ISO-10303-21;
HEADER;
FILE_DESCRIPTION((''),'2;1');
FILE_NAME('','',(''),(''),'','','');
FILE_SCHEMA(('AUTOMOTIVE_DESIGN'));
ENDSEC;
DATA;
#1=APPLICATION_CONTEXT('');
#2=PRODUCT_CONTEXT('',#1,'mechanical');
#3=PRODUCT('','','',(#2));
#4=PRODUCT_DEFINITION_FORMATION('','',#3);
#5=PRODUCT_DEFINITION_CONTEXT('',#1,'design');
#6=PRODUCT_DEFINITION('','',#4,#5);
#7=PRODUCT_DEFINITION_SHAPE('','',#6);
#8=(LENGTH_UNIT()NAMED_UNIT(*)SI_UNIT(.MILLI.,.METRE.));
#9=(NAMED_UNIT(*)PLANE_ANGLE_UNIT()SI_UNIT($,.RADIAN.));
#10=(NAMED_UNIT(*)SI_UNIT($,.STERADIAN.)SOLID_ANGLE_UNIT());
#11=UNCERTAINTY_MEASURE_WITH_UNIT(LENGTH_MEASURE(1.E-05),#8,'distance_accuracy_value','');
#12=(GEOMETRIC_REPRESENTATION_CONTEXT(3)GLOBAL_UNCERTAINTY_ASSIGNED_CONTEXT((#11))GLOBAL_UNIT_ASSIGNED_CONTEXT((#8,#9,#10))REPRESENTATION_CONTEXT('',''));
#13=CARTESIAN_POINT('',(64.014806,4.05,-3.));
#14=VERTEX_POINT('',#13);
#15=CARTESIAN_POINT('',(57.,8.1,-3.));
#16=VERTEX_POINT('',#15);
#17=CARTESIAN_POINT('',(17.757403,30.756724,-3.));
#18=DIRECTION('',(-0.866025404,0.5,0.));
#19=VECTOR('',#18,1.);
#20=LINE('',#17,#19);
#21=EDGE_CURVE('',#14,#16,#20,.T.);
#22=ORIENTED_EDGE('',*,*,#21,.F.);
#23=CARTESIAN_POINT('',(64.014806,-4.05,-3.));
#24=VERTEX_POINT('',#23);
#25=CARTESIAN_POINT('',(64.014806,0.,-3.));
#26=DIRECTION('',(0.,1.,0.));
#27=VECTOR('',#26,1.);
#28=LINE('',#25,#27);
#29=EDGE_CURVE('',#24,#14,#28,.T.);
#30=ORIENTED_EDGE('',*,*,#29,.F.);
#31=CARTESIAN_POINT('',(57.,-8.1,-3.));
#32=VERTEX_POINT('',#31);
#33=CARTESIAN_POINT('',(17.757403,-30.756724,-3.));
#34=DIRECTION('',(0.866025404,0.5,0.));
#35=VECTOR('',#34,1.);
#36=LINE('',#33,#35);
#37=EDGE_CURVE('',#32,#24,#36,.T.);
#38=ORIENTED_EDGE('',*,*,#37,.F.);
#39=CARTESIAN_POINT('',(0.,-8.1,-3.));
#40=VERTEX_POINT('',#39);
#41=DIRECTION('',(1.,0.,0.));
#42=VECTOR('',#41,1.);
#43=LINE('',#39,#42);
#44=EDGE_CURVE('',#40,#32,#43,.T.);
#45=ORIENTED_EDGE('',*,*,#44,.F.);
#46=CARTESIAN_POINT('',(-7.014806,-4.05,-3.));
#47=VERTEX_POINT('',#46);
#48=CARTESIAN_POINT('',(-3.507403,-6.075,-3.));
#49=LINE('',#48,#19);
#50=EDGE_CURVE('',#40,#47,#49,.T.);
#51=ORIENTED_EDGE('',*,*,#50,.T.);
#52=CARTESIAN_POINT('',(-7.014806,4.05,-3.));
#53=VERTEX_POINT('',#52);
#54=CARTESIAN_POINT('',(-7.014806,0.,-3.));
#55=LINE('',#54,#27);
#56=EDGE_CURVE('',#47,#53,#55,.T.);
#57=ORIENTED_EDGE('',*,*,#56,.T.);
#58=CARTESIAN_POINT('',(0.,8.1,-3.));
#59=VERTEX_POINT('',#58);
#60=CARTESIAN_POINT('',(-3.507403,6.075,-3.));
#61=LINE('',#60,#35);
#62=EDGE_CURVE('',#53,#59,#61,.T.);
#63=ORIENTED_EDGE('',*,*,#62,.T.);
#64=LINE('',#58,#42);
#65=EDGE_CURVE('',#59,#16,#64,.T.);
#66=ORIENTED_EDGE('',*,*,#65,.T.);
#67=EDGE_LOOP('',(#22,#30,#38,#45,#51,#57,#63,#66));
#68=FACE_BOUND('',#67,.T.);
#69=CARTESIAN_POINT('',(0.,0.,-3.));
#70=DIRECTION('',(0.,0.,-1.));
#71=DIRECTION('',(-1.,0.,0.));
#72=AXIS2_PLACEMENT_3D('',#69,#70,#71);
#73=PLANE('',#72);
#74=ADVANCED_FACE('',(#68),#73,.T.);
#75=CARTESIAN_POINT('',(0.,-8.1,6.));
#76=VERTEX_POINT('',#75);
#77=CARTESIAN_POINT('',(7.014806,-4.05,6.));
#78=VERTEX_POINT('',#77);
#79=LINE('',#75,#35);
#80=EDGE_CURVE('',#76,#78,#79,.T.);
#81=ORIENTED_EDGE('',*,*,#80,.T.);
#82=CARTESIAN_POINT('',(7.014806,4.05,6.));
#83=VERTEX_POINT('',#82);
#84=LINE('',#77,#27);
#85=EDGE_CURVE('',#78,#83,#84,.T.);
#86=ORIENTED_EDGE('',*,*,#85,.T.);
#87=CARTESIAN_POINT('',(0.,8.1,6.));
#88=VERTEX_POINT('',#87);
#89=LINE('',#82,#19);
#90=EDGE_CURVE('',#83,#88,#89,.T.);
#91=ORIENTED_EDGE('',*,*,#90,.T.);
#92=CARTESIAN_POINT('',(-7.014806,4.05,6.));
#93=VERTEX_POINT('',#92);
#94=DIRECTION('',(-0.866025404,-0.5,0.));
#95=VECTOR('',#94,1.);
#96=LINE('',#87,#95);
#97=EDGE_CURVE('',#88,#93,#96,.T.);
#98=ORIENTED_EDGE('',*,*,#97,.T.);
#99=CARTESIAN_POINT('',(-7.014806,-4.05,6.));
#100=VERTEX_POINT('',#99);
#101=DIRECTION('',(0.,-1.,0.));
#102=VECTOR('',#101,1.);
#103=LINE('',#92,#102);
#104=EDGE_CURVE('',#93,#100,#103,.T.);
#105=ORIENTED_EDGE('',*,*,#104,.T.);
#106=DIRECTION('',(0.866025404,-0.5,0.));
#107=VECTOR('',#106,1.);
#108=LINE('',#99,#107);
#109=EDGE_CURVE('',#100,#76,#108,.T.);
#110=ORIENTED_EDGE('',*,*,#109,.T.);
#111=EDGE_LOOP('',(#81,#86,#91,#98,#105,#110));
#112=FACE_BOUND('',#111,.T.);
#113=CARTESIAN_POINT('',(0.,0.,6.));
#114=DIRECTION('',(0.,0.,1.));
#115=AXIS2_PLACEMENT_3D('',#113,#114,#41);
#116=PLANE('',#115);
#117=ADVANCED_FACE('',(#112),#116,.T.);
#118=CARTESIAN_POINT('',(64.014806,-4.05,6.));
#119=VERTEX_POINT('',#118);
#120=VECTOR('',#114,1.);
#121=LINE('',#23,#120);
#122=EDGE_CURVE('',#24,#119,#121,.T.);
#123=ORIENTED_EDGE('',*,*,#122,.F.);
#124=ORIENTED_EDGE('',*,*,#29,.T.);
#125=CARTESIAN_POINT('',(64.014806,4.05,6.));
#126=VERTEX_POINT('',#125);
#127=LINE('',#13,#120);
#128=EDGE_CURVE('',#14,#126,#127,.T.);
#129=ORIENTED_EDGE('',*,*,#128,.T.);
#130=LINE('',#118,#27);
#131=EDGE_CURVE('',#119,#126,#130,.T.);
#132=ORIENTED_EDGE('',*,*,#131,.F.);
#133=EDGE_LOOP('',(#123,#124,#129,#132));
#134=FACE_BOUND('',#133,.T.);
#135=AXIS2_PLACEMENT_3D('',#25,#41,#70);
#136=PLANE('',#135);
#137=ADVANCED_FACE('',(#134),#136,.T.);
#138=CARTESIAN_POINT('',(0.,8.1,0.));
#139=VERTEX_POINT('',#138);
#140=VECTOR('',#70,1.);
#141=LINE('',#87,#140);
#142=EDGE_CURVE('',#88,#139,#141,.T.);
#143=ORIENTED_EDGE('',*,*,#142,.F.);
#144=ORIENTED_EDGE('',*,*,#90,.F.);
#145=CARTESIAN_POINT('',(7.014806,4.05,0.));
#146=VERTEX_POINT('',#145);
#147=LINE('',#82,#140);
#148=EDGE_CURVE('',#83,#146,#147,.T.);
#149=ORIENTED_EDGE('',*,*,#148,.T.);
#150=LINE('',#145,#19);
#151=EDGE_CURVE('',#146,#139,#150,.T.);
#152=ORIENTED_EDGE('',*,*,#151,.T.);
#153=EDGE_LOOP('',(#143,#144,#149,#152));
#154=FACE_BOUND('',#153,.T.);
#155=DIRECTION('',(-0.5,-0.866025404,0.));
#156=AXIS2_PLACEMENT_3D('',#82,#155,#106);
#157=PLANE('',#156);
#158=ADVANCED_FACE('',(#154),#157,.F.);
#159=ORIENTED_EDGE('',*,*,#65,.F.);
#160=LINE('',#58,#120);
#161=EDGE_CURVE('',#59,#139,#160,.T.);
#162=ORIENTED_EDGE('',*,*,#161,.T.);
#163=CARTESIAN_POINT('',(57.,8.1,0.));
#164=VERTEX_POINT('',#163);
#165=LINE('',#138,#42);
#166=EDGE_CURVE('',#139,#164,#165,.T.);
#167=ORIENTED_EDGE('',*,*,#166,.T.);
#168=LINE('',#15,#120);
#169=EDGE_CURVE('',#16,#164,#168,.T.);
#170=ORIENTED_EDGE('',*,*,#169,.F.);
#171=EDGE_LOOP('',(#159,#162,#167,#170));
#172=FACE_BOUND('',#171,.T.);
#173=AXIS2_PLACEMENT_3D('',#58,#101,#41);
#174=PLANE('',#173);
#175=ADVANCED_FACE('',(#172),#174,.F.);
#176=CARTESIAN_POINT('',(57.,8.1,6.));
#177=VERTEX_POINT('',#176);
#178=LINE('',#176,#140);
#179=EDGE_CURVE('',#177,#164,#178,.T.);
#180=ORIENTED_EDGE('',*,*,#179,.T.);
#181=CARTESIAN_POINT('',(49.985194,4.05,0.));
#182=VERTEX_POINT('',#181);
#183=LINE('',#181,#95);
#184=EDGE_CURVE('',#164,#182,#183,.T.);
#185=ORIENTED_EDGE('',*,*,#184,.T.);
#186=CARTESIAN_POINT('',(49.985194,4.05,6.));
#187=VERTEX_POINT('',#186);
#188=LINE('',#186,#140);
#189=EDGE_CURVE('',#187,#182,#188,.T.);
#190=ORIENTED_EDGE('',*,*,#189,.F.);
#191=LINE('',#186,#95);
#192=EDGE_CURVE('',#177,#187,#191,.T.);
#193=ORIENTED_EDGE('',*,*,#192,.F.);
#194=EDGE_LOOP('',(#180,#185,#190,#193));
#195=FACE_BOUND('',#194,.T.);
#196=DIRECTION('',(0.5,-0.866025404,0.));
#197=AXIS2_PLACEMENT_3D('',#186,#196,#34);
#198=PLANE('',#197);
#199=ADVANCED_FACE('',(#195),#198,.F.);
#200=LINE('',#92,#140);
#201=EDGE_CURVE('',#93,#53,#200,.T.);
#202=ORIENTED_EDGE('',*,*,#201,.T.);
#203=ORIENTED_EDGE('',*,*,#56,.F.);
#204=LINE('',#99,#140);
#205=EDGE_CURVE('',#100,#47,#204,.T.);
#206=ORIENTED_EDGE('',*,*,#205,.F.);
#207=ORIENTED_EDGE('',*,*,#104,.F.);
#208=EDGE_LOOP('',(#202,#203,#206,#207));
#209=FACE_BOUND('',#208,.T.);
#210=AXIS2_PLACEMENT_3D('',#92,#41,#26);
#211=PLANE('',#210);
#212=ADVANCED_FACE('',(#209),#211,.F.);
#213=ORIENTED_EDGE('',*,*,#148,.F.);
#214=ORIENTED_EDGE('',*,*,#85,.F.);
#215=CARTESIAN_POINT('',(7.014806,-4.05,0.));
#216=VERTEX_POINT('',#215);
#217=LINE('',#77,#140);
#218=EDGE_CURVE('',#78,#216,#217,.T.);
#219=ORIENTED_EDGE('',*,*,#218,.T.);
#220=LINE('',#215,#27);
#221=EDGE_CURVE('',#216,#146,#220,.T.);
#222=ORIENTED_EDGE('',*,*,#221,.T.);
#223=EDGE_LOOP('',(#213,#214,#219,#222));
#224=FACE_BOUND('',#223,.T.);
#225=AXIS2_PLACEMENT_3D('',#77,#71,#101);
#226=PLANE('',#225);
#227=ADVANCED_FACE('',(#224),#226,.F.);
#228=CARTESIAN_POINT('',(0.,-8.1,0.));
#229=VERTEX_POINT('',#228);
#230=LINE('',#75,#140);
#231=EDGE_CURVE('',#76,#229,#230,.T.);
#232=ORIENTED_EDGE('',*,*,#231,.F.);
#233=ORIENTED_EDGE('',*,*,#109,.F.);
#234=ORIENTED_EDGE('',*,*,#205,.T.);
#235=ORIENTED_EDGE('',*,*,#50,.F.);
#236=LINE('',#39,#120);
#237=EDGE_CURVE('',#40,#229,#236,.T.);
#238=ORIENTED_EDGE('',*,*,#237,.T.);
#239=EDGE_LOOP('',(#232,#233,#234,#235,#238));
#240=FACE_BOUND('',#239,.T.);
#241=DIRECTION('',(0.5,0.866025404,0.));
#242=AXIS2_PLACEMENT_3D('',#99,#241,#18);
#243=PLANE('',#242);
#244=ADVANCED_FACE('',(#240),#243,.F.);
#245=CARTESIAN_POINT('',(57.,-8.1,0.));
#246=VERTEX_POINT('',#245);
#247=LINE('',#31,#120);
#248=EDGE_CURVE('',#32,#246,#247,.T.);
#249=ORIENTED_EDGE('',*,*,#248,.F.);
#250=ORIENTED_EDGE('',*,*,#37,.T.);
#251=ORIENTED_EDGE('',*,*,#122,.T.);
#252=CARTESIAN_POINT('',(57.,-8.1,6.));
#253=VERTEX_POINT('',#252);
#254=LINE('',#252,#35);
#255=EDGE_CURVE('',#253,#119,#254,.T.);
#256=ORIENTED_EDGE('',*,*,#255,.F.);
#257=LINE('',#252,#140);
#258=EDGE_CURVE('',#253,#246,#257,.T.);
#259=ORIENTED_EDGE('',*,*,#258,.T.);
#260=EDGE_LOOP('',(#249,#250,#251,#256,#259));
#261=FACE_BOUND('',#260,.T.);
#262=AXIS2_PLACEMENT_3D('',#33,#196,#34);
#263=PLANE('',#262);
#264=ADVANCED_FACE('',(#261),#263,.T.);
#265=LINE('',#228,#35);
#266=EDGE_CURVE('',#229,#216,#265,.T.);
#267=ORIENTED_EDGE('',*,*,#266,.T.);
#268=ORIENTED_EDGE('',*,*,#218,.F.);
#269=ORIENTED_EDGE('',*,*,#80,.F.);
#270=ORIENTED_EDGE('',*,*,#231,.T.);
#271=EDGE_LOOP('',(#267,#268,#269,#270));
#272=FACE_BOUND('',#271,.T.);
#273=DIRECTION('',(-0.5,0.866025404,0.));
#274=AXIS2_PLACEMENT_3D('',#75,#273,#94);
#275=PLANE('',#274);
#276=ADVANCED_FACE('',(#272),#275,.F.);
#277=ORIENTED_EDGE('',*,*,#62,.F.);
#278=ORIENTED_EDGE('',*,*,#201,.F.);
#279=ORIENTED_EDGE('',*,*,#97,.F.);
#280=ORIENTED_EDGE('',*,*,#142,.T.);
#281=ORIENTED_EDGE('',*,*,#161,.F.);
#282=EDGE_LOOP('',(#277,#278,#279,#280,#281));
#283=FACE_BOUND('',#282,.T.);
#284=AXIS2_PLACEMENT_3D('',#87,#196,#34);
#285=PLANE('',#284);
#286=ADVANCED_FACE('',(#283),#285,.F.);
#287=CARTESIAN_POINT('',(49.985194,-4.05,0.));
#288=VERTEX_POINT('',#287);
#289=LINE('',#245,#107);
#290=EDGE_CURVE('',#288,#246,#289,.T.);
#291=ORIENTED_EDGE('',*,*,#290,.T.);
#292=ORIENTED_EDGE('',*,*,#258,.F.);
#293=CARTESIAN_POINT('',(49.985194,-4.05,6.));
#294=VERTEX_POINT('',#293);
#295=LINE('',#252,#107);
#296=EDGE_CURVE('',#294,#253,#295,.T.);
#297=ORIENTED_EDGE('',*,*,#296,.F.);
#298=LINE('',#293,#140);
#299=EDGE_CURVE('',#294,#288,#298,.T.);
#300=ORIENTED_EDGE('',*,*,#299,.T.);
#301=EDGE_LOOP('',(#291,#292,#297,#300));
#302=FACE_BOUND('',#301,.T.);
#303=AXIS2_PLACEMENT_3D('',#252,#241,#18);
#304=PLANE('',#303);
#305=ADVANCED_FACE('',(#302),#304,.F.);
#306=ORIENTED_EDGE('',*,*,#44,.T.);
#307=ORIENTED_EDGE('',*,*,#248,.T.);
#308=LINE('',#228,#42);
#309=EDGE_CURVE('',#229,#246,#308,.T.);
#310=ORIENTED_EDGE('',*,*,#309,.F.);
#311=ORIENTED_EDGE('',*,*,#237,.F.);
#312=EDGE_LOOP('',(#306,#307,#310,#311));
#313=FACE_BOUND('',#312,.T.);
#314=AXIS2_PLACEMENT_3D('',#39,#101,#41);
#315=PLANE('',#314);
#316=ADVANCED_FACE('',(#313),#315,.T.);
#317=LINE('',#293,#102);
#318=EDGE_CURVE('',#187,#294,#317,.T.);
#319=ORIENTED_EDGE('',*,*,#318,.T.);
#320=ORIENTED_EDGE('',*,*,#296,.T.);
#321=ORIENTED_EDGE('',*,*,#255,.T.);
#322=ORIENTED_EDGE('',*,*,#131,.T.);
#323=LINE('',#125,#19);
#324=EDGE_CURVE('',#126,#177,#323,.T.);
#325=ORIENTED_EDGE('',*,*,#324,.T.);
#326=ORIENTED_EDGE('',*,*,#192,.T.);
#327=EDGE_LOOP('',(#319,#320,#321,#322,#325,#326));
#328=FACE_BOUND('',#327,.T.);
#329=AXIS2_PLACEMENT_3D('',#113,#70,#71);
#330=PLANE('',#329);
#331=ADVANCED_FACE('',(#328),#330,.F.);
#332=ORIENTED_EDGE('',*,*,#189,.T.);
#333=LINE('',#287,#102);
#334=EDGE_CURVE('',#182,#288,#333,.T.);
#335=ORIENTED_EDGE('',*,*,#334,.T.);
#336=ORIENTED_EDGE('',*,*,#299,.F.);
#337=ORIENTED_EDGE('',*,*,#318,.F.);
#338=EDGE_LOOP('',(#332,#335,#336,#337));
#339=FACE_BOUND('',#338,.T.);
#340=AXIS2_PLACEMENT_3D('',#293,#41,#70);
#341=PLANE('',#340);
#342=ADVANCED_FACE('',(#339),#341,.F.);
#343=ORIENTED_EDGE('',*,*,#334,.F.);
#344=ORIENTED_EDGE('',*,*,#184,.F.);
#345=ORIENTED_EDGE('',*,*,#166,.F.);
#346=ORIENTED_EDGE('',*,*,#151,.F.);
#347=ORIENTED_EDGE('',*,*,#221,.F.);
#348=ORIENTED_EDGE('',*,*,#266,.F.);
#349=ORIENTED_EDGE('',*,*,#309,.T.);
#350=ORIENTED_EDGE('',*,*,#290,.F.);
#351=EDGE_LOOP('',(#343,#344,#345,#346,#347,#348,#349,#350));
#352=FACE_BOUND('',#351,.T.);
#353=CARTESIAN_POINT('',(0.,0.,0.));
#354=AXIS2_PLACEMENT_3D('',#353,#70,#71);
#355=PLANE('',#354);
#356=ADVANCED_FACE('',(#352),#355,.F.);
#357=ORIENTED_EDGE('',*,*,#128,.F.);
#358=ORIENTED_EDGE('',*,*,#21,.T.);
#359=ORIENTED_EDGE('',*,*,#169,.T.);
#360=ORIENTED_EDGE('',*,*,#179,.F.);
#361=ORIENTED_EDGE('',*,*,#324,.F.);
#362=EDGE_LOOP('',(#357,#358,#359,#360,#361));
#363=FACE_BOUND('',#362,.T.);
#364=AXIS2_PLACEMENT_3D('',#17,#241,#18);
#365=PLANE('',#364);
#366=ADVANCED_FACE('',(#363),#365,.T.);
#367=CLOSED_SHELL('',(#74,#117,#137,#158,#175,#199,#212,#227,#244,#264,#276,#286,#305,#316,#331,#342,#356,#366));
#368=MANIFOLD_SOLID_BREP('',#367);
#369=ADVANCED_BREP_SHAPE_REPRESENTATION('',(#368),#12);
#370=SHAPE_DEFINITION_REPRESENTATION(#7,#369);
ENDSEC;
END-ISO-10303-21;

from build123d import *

# Parameters (mm, degrees)
BOSS_EXTRUDE1_DEPTH = 6
BOSS_EXTRUDE2_DEPTH = 3
BOSS_EXTRUDE3_DEPTH = 6


with BuildPart() as part:
    # Sketch1 → Boss-Extrude1 (new body)
    with BuildSketch(Plane.XY):
        Polygon((0, 8.1), (-7.014805771, 4.05), (-7.014805771, -4.05), (0, -8.1), (7.014805771, -4.05), (7.014805771, 4.05), align=None)
    extrude(amount=BOSS_EXTRUDE1_DEPTH)

    # Sketch2 → Boss-Extrude2 (add)
    with BuildSketch(Plane(origin=(0, 0, 0), x_dir=(-1, 0, 0), z_dir=(0, 0, -1))):
        Polygon((0, 8.1), (0, -8.1), (-7.014805771, -4.05), (-7.014805771, 4.05), align=None)
        Polygon((0, 8.1), (0, -8.1), (7.014805771, -4.05), (7.014805771, 4.05), align=None)
        Polygon((0, 8.1), (-28.5, 8.1), (-28.5, -8.1), (0, -8.1), (-7.014805771, -4.05), (-7.014805771, 4.05), align=None)
        Polygon((-28.5, 8.1), (-57, 8.1), (-49.985194229, 4.05), (-49.985194229, -4.05), (-57, -8.1), (-28.5, -8.1), align=None)
        Polygon((-57, 8.1), (-49.985194229, 4.05), (-49.985194229, -4.05), (-57, -8.1), align=None)
        Polygon((-57, 8.1), (-57, -8.1), (-64.014805771, -4.05), (-64.014805771, 4.05), align=None)
    extrude(amount=BOSS_EXTRUDE2_DEPTH)

    # Sketch3 → Boss-Extrude3 (add)
    with BuildSketch(Plane.XY):
        Polygon((64.014805771, -4.05), (64.014805771, 4.05), (57, 8.1), (49.985194229, 4.05), (49.985194229, -4.05), (57, -8.1), align=None)
    extrude(amount=BOSS_EXTRUDE3_DEPTH)


solid = part.part
